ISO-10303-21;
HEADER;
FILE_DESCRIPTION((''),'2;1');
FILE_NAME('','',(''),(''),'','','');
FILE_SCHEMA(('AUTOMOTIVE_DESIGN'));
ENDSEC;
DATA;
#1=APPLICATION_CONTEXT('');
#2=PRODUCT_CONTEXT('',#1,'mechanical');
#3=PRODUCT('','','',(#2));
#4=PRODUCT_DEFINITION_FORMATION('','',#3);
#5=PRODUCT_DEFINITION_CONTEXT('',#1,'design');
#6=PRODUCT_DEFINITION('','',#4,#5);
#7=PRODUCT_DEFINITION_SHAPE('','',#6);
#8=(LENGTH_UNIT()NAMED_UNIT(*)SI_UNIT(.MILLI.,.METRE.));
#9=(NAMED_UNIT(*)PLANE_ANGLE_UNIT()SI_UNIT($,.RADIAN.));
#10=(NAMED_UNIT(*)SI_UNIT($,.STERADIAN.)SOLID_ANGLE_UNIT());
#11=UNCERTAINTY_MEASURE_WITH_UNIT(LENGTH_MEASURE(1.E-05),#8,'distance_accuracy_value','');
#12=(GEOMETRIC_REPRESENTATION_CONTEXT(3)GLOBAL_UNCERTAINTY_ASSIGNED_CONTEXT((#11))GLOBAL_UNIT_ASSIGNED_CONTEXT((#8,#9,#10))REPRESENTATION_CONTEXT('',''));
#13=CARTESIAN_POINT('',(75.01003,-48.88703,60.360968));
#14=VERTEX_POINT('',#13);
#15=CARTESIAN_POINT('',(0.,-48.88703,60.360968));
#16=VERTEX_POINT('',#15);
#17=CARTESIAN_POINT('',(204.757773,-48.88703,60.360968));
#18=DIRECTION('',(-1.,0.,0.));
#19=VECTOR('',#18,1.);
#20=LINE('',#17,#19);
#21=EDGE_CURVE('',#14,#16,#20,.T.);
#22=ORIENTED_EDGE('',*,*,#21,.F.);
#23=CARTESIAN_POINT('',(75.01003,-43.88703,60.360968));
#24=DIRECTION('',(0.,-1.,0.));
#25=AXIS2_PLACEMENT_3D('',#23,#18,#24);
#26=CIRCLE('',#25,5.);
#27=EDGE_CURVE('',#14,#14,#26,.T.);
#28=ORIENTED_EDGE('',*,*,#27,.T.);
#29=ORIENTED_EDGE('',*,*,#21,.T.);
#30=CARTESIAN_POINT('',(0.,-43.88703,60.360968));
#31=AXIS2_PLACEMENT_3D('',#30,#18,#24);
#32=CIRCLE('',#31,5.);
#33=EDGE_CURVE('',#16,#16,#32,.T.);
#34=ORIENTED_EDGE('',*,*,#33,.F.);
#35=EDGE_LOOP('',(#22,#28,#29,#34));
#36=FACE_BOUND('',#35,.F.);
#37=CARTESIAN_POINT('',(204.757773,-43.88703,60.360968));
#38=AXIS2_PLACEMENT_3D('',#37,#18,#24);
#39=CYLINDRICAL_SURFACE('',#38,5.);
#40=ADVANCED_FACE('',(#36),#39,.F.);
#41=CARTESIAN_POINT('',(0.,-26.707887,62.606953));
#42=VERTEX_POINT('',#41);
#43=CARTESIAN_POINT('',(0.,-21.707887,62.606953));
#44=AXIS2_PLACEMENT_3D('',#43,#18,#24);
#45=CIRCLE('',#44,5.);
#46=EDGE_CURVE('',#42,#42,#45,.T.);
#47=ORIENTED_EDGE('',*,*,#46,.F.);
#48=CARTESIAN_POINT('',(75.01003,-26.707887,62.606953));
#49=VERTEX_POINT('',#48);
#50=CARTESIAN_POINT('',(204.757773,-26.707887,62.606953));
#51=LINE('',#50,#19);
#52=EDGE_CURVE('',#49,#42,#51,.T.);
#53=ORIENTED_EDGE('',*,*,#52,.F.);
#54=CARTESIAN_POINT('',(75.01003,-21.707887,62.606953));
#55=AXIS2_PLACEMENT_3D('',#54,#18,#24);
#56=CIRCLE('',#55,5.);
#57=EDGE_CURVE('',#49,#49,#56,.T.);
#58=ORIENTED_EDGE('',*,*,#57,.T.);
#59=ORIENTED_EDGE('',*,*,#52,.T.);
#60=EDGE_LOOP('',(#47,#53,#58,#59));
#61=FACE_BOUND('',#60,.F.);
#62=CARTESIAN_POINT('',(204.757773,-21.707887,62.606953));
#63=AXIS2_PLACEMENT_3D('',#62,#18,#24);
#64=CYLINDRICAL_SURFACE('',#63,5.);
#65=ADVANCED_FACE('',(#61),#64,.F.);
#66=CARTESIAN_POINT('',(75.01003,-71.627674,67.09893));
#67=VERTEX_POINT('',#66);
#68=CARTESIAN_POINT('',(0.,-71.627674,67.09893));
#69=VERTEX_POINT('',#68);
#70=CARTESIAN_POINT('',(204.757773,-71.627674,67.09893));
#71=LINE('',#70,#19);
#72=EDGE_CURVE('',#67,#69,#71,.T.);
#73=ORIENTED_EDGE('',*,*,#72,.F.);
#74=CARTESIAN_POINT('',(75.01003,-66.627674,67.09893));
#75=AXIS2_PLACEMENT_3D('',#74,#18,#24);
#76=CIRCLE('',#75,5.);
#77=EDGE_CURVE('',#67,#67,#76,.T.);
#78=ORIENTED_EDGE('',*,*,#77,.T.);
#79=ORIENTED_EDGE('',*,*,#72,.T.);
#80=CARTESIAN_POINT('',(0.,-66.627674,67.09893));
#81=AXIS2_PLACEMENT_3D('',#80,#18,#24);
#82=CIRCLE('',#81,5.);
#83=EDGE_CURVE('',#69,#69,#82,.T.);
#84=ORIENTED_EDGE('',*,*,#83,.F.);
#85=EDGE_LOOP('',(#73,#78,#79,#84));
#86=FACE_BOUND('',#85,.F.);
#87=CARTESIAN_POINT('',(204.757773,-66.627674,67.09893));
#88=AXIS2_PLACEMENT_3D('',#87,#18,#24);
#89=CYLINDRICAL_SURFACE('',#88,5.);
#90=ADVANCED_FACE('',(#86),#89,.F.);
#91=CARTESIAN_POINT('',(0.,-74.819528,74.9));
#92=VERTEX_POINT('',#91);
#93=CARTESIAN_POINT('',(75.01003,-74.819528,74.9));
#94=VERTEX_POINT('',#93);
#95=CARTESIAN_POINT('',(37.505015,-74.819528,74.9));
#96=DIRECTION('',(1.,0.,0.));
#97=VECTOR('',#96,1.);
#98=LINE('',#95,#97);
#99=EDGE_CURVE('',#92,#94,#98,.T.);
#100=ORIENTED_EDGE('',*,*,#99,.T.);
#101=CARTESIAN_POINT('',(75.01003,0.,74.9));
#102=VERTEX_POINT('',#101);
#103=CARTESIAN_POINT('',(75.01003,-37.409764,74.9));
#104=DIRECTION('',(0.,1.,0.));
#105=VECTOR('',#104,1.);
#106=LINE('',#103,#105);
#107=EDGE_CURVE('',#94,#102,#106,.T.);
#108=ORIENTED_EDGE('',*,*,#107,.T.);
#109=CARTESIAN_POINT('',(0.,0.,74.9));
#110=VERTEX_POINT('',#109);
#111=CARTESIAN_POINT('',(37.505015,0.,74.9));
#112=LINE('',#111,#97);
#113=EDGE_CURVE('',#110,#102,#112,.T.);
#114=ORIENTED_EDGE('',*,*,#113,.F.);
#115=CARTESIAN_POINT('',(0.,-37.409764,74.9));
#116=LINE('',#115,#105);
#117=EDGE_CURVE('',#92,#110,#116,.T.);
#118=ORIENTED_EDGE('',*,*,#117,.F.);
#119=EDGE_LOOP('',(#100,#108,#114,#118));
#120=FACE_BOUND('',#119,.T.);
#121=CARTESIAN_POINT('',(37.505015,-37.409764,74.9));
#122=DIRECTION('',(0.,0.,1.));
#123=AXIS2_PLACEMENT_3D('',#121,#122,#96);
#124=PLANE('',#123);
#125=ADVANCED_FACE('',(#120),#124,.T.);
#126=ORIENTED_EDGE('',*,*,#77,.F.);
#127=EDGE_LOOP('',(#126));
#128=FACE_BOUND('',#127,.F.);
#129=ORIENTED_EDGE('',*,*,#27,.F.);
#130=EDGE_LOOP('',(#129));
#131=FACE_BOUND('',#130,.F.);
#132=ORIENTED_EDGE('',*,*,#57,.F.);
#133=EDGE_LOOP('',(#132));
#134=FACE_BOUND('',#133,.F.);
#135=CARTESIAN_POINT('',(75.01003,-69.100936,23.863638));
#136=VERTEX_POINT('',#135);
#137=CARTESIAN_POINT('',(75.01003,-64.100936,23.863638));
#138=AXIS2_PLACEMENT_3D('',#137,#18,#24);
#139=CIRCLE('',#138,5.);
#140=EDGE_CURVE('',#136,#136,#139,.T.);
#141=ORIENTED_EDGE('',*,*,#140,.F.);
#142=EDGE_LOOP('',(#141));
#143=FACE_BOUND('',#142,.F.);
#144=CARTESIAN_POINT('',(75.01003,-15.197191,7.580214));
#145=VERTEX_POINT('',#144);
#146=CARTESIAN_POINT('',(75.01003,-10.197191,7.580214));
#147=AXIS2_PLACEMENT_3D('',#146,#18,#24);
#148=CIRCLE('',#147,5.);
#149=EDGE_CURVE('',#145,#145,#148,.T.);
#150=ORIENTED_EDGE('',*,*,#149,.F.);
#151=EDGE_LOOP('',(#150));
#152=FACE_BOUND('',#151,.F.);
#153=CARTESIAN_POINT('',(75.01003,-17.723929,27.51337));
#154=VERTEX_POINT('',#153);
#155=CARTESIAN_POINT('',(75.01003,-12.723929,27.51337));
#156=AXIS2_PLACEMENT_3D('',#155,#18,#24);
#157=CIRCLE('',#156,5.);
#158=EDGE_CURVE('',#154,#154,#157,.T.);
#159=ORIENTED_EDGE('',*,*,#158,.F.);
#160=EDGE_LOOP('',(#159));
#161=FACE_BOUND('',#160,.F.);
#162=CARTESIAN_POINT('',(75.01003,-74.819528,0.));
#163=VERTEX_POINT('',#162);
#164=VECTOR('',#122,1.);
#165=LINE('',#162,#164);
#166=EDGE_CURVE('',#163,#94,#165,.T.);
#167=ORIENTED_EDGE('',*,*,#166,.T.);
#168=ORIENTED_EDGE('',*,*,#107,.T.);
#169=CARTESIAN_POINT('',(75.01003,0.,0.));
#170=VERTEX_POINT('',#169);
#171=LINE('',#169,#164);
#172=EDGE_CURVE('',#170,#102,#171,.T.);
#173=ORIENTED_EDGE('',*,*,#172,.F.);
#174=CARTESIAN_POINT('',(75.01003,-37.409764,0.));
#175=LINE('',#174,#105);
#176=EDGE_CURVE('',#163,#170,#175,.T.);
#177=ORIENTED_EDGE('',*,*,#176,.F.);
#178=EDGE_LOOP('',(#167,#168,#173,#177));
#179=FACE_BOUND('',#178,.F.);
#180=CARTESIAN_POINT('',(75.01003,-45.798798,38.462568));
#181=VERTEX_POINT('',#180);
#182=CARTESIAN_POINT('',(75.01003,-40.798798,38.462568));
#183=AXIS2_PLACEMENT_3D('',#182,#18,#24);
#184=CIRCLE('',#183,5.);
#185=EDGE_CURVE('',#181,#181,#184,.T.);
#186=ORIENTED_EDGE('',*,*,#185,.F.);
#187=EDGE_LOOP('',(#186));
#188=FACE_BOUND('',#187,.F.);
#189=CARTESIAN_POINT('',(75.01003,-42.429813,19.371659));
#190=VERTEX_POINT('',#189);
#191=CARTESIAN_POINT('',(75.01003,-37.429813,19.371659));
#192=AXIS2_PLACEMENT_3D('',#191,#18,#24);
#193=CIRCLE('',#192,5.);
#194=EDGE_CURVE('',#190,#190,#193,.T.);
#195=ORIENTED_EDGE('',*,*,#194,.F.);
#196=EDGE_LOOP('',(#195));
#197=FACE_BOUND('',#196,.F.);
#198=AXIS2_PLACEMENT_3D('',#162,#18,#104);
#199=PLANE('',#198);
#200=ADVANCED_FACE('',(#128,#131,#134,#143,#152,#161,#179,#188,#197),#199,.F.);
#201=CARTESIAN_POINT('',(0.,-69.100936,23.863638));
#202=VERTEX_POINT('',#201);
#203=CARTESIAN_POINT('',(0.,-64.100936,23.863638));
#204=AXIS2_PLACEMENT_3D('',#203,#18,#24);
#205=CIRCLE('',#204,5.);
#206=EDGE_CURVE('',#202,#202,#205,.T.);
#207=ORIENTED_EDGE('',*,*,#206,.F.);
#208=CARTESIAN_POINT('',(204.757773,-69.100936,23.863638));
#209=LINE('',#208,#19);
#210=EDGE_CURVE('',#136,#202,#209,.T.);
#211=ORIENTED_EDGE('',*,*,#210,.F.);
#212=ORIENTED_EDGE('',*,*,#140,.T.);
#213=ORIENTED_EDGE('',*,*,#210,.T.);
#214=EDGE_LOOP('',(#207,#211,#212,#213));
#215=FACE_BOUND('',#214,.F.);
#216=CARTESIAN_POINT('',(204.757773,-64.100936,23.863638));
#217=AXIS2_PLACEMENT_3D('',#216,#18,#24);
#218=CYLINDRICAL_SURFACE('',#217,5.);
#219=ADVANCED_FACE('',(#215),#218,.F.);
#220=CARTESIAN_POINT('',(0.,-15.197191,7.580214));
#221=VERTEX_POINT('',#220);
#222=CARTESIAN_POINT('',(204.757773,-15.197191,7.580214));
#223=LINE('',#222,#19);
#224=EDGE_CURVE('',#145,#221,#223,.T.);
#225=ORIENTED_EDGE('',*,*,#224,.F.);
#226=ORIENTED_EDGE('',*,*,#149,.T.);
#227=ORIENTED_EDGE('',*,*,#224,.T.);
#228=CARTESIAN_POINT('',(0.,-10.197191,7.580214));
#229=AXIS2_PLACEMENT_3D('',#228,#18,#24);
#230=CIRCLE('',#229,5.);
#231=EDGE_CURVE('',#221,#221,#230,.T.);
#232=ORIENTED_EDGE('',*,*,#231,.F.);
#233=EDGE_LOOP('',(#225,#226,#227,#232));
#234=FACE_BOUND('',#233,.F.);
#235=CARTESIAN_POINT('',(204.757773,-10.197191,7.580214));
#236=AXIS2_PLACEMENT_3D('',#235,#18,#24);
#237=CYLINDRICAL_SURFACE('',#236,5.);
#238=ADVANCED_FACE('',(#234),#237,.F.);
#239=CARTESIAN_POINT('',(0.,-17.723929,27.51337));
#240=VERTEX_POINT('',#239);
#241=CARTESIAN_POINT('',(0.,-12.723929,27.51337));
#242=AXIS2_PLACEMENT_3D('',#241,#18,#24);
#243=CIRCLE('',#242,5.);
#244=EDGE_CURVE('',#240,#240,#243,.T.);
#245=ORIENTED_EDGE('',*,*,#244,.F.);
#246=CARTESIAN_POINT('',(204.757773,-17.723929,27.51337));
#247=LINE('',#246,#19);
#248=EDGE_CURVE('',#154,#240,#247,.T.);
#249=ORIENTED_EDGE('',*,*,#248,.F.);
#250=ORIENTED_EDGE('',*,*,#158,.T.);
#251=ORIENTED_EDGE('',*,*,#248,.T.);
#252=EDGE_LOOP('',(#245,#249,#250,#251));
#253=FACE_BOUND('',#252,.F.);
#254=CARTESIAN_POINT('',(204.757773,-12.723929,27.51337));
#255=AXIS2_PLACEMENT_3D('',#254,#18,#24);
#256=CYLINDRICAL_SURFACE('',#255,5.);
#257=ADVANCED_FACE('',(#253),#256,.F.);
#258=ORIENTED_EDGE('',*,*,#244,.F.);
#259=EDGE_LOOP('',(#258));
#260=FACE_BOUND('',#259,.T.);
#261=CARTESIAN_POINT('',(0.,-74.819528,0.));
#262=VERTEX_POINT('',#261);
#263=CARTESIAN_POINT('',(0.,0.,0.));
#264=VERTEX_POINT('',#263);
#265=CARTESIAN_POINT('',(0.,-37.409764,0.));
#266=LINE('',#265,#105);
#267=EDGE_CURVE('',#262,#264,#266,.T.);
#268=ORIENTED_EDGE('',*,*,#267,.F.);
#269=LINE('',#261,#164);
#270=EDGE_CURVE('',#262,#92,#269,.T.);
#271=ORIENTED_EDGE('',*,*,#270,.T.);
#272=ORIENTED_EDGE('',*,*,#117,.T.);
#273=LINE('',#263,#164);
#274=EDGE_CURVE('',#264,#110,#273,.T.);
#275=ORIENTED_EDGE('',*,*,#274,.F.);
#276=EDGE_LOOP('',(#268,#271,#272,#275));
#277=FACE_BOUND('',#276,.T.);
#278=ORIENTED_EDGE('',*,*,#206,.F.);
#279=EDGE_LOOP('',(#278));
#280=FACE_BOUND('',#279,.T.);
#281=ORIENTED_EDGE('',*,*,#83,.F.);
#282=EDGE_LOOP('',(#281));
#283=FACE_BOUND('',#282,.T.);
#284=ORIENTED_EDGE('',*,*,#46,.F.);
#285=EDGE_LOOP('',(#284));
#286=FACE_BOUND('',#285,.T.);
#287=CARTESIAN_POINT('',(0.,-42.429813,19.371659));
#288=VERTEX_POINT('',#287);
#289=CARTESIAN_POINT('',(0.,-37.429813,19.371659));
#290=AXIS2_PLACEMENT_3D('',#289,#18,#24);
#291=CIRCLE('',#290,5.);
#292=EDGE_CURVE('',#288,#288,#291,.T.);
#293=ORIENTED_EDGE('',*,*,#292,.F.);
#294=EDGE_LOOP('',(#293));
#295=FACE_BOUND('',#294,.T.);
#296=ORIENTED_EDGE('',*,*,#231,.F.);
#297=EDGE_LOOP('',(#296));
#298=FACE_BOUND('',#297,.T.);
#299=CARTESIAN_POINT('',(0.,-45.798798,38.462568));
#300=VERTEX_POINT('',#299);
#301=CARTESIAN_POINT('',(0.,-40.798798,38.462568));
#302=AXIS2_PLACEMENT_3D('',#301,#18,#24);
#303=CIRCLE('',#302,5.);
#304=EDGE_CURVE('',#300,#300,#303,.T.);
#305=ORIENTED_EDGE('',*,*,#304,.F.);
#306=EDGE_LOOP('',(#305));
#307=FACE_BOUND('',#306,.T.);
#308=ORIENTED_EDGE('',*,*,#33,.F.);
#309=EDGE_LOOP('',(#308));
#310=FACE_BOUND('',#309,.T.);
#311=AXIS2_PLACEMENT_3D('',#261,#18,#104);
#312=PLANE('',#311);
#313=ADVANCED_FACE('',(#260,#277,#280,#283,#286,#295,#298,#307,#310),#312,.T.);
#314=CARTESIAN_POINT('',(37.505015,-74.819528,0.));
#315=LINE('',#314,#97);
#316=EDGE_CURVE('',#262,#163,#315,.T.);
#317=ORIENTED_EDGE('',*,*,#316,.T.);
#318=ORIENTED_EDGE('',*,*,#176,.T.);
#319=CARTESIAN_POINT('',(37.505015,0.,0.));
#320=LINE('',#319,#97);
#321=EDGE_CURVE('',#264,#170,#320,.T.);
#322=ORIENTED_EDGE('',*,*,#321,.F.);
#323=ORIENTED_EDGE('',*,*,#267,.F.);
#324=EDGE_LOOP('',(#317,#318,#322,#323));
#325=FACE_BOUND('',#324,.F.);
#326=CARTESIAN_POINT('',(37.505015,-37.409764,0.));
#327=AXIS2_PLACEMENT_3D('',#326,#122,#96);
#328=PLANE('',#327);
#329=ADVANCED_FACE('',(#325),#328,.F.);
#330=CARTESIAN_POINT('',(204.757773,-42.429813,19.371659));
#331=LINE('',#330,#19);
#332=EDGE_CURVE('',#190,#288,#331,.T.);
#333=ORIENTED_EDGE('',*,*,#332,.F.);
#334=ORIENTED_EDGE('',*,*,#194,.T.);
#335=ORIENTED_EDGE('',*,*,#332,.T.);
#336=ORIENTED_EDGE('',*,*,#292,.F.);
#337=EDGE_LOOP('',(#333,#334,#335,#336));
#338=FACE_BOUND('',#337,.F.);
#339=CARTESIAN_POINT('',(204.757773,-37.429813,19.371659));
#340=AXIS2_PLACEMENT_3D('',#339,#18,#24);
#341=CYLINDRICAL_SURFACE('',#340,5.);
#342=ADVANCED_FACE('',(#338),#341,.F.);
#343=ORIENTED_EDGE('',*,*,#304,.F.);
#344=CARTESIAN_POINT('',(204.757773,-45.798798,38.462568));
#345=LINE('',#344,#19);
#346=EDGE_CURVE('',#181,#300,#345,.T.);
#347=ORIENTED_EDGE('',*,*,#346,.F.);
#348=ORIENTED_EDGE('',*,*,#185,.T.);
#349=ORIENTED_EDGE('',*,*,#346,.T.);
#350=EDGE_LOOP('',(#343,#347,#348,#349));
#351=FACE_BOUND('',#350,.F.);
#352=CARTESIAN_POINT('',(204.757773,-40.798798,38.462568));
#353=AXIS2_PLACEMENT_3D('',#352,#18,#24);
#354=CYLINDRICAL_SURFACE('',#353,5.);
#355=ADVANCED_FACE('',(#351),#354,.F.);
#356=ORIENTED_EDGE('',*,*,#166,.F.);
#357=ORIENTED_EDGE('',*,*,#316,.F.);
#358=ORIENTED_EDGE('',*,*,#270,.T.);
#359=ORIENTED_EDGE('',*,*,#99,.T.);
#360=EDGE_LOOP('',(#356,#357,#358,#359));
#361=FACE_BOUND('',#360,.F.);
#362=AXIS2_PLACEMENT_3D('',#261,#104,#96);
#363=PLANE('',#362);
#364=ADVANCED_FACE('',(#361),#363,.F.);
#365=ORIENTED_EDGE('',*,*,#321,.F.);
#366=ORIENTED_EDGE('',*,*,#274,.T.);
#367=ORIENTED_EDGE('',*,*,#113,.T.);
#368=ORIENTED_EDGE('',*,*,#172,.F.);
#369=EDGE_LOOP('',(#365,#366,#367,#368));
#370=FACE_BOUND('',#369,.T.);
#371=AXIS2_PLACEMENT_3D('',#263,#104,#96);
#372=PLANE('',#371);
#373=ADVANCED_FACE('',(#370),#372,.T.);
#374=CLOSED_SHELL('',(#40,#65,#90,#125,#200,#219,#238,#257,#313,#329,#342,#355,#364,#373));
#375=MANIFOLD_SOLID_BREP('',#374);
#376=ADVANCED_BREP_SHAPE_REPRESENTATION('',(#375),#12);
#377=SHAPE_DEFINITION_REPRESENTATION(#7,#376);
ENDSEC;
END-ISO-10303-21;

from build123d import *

# Parameters (mm, degrees)
F0_W     = 75.010031
F0_H     = 74.819528
F1_DEPTH = 74.9
F3_D     = 10


with BuildPart() as f1:
    # F0 (on Top) → F1 (new body)
    with BuildSketch(Plane.XY):
        with Locations((37.505015, -37.409764)):
            Rectangle(F0_W, F0_H)
    extrude(amount=F1_DEPTH)

    # F3 (through all)
    with Locations(Plane.YZ.offset(75.010031)):
        with Locations((-21.707887, 62.606953), (-40.798798, 38.462568), (-37.429813, 19.371659), (-66.627674, 67.09893), (-43.88703, 60.360968), (-12.723929, 27.51337), (-64.100936, 23.863638), (-10.197191, 7.580214)):
            Hole(F3_D / 2)


solid = f1.part
